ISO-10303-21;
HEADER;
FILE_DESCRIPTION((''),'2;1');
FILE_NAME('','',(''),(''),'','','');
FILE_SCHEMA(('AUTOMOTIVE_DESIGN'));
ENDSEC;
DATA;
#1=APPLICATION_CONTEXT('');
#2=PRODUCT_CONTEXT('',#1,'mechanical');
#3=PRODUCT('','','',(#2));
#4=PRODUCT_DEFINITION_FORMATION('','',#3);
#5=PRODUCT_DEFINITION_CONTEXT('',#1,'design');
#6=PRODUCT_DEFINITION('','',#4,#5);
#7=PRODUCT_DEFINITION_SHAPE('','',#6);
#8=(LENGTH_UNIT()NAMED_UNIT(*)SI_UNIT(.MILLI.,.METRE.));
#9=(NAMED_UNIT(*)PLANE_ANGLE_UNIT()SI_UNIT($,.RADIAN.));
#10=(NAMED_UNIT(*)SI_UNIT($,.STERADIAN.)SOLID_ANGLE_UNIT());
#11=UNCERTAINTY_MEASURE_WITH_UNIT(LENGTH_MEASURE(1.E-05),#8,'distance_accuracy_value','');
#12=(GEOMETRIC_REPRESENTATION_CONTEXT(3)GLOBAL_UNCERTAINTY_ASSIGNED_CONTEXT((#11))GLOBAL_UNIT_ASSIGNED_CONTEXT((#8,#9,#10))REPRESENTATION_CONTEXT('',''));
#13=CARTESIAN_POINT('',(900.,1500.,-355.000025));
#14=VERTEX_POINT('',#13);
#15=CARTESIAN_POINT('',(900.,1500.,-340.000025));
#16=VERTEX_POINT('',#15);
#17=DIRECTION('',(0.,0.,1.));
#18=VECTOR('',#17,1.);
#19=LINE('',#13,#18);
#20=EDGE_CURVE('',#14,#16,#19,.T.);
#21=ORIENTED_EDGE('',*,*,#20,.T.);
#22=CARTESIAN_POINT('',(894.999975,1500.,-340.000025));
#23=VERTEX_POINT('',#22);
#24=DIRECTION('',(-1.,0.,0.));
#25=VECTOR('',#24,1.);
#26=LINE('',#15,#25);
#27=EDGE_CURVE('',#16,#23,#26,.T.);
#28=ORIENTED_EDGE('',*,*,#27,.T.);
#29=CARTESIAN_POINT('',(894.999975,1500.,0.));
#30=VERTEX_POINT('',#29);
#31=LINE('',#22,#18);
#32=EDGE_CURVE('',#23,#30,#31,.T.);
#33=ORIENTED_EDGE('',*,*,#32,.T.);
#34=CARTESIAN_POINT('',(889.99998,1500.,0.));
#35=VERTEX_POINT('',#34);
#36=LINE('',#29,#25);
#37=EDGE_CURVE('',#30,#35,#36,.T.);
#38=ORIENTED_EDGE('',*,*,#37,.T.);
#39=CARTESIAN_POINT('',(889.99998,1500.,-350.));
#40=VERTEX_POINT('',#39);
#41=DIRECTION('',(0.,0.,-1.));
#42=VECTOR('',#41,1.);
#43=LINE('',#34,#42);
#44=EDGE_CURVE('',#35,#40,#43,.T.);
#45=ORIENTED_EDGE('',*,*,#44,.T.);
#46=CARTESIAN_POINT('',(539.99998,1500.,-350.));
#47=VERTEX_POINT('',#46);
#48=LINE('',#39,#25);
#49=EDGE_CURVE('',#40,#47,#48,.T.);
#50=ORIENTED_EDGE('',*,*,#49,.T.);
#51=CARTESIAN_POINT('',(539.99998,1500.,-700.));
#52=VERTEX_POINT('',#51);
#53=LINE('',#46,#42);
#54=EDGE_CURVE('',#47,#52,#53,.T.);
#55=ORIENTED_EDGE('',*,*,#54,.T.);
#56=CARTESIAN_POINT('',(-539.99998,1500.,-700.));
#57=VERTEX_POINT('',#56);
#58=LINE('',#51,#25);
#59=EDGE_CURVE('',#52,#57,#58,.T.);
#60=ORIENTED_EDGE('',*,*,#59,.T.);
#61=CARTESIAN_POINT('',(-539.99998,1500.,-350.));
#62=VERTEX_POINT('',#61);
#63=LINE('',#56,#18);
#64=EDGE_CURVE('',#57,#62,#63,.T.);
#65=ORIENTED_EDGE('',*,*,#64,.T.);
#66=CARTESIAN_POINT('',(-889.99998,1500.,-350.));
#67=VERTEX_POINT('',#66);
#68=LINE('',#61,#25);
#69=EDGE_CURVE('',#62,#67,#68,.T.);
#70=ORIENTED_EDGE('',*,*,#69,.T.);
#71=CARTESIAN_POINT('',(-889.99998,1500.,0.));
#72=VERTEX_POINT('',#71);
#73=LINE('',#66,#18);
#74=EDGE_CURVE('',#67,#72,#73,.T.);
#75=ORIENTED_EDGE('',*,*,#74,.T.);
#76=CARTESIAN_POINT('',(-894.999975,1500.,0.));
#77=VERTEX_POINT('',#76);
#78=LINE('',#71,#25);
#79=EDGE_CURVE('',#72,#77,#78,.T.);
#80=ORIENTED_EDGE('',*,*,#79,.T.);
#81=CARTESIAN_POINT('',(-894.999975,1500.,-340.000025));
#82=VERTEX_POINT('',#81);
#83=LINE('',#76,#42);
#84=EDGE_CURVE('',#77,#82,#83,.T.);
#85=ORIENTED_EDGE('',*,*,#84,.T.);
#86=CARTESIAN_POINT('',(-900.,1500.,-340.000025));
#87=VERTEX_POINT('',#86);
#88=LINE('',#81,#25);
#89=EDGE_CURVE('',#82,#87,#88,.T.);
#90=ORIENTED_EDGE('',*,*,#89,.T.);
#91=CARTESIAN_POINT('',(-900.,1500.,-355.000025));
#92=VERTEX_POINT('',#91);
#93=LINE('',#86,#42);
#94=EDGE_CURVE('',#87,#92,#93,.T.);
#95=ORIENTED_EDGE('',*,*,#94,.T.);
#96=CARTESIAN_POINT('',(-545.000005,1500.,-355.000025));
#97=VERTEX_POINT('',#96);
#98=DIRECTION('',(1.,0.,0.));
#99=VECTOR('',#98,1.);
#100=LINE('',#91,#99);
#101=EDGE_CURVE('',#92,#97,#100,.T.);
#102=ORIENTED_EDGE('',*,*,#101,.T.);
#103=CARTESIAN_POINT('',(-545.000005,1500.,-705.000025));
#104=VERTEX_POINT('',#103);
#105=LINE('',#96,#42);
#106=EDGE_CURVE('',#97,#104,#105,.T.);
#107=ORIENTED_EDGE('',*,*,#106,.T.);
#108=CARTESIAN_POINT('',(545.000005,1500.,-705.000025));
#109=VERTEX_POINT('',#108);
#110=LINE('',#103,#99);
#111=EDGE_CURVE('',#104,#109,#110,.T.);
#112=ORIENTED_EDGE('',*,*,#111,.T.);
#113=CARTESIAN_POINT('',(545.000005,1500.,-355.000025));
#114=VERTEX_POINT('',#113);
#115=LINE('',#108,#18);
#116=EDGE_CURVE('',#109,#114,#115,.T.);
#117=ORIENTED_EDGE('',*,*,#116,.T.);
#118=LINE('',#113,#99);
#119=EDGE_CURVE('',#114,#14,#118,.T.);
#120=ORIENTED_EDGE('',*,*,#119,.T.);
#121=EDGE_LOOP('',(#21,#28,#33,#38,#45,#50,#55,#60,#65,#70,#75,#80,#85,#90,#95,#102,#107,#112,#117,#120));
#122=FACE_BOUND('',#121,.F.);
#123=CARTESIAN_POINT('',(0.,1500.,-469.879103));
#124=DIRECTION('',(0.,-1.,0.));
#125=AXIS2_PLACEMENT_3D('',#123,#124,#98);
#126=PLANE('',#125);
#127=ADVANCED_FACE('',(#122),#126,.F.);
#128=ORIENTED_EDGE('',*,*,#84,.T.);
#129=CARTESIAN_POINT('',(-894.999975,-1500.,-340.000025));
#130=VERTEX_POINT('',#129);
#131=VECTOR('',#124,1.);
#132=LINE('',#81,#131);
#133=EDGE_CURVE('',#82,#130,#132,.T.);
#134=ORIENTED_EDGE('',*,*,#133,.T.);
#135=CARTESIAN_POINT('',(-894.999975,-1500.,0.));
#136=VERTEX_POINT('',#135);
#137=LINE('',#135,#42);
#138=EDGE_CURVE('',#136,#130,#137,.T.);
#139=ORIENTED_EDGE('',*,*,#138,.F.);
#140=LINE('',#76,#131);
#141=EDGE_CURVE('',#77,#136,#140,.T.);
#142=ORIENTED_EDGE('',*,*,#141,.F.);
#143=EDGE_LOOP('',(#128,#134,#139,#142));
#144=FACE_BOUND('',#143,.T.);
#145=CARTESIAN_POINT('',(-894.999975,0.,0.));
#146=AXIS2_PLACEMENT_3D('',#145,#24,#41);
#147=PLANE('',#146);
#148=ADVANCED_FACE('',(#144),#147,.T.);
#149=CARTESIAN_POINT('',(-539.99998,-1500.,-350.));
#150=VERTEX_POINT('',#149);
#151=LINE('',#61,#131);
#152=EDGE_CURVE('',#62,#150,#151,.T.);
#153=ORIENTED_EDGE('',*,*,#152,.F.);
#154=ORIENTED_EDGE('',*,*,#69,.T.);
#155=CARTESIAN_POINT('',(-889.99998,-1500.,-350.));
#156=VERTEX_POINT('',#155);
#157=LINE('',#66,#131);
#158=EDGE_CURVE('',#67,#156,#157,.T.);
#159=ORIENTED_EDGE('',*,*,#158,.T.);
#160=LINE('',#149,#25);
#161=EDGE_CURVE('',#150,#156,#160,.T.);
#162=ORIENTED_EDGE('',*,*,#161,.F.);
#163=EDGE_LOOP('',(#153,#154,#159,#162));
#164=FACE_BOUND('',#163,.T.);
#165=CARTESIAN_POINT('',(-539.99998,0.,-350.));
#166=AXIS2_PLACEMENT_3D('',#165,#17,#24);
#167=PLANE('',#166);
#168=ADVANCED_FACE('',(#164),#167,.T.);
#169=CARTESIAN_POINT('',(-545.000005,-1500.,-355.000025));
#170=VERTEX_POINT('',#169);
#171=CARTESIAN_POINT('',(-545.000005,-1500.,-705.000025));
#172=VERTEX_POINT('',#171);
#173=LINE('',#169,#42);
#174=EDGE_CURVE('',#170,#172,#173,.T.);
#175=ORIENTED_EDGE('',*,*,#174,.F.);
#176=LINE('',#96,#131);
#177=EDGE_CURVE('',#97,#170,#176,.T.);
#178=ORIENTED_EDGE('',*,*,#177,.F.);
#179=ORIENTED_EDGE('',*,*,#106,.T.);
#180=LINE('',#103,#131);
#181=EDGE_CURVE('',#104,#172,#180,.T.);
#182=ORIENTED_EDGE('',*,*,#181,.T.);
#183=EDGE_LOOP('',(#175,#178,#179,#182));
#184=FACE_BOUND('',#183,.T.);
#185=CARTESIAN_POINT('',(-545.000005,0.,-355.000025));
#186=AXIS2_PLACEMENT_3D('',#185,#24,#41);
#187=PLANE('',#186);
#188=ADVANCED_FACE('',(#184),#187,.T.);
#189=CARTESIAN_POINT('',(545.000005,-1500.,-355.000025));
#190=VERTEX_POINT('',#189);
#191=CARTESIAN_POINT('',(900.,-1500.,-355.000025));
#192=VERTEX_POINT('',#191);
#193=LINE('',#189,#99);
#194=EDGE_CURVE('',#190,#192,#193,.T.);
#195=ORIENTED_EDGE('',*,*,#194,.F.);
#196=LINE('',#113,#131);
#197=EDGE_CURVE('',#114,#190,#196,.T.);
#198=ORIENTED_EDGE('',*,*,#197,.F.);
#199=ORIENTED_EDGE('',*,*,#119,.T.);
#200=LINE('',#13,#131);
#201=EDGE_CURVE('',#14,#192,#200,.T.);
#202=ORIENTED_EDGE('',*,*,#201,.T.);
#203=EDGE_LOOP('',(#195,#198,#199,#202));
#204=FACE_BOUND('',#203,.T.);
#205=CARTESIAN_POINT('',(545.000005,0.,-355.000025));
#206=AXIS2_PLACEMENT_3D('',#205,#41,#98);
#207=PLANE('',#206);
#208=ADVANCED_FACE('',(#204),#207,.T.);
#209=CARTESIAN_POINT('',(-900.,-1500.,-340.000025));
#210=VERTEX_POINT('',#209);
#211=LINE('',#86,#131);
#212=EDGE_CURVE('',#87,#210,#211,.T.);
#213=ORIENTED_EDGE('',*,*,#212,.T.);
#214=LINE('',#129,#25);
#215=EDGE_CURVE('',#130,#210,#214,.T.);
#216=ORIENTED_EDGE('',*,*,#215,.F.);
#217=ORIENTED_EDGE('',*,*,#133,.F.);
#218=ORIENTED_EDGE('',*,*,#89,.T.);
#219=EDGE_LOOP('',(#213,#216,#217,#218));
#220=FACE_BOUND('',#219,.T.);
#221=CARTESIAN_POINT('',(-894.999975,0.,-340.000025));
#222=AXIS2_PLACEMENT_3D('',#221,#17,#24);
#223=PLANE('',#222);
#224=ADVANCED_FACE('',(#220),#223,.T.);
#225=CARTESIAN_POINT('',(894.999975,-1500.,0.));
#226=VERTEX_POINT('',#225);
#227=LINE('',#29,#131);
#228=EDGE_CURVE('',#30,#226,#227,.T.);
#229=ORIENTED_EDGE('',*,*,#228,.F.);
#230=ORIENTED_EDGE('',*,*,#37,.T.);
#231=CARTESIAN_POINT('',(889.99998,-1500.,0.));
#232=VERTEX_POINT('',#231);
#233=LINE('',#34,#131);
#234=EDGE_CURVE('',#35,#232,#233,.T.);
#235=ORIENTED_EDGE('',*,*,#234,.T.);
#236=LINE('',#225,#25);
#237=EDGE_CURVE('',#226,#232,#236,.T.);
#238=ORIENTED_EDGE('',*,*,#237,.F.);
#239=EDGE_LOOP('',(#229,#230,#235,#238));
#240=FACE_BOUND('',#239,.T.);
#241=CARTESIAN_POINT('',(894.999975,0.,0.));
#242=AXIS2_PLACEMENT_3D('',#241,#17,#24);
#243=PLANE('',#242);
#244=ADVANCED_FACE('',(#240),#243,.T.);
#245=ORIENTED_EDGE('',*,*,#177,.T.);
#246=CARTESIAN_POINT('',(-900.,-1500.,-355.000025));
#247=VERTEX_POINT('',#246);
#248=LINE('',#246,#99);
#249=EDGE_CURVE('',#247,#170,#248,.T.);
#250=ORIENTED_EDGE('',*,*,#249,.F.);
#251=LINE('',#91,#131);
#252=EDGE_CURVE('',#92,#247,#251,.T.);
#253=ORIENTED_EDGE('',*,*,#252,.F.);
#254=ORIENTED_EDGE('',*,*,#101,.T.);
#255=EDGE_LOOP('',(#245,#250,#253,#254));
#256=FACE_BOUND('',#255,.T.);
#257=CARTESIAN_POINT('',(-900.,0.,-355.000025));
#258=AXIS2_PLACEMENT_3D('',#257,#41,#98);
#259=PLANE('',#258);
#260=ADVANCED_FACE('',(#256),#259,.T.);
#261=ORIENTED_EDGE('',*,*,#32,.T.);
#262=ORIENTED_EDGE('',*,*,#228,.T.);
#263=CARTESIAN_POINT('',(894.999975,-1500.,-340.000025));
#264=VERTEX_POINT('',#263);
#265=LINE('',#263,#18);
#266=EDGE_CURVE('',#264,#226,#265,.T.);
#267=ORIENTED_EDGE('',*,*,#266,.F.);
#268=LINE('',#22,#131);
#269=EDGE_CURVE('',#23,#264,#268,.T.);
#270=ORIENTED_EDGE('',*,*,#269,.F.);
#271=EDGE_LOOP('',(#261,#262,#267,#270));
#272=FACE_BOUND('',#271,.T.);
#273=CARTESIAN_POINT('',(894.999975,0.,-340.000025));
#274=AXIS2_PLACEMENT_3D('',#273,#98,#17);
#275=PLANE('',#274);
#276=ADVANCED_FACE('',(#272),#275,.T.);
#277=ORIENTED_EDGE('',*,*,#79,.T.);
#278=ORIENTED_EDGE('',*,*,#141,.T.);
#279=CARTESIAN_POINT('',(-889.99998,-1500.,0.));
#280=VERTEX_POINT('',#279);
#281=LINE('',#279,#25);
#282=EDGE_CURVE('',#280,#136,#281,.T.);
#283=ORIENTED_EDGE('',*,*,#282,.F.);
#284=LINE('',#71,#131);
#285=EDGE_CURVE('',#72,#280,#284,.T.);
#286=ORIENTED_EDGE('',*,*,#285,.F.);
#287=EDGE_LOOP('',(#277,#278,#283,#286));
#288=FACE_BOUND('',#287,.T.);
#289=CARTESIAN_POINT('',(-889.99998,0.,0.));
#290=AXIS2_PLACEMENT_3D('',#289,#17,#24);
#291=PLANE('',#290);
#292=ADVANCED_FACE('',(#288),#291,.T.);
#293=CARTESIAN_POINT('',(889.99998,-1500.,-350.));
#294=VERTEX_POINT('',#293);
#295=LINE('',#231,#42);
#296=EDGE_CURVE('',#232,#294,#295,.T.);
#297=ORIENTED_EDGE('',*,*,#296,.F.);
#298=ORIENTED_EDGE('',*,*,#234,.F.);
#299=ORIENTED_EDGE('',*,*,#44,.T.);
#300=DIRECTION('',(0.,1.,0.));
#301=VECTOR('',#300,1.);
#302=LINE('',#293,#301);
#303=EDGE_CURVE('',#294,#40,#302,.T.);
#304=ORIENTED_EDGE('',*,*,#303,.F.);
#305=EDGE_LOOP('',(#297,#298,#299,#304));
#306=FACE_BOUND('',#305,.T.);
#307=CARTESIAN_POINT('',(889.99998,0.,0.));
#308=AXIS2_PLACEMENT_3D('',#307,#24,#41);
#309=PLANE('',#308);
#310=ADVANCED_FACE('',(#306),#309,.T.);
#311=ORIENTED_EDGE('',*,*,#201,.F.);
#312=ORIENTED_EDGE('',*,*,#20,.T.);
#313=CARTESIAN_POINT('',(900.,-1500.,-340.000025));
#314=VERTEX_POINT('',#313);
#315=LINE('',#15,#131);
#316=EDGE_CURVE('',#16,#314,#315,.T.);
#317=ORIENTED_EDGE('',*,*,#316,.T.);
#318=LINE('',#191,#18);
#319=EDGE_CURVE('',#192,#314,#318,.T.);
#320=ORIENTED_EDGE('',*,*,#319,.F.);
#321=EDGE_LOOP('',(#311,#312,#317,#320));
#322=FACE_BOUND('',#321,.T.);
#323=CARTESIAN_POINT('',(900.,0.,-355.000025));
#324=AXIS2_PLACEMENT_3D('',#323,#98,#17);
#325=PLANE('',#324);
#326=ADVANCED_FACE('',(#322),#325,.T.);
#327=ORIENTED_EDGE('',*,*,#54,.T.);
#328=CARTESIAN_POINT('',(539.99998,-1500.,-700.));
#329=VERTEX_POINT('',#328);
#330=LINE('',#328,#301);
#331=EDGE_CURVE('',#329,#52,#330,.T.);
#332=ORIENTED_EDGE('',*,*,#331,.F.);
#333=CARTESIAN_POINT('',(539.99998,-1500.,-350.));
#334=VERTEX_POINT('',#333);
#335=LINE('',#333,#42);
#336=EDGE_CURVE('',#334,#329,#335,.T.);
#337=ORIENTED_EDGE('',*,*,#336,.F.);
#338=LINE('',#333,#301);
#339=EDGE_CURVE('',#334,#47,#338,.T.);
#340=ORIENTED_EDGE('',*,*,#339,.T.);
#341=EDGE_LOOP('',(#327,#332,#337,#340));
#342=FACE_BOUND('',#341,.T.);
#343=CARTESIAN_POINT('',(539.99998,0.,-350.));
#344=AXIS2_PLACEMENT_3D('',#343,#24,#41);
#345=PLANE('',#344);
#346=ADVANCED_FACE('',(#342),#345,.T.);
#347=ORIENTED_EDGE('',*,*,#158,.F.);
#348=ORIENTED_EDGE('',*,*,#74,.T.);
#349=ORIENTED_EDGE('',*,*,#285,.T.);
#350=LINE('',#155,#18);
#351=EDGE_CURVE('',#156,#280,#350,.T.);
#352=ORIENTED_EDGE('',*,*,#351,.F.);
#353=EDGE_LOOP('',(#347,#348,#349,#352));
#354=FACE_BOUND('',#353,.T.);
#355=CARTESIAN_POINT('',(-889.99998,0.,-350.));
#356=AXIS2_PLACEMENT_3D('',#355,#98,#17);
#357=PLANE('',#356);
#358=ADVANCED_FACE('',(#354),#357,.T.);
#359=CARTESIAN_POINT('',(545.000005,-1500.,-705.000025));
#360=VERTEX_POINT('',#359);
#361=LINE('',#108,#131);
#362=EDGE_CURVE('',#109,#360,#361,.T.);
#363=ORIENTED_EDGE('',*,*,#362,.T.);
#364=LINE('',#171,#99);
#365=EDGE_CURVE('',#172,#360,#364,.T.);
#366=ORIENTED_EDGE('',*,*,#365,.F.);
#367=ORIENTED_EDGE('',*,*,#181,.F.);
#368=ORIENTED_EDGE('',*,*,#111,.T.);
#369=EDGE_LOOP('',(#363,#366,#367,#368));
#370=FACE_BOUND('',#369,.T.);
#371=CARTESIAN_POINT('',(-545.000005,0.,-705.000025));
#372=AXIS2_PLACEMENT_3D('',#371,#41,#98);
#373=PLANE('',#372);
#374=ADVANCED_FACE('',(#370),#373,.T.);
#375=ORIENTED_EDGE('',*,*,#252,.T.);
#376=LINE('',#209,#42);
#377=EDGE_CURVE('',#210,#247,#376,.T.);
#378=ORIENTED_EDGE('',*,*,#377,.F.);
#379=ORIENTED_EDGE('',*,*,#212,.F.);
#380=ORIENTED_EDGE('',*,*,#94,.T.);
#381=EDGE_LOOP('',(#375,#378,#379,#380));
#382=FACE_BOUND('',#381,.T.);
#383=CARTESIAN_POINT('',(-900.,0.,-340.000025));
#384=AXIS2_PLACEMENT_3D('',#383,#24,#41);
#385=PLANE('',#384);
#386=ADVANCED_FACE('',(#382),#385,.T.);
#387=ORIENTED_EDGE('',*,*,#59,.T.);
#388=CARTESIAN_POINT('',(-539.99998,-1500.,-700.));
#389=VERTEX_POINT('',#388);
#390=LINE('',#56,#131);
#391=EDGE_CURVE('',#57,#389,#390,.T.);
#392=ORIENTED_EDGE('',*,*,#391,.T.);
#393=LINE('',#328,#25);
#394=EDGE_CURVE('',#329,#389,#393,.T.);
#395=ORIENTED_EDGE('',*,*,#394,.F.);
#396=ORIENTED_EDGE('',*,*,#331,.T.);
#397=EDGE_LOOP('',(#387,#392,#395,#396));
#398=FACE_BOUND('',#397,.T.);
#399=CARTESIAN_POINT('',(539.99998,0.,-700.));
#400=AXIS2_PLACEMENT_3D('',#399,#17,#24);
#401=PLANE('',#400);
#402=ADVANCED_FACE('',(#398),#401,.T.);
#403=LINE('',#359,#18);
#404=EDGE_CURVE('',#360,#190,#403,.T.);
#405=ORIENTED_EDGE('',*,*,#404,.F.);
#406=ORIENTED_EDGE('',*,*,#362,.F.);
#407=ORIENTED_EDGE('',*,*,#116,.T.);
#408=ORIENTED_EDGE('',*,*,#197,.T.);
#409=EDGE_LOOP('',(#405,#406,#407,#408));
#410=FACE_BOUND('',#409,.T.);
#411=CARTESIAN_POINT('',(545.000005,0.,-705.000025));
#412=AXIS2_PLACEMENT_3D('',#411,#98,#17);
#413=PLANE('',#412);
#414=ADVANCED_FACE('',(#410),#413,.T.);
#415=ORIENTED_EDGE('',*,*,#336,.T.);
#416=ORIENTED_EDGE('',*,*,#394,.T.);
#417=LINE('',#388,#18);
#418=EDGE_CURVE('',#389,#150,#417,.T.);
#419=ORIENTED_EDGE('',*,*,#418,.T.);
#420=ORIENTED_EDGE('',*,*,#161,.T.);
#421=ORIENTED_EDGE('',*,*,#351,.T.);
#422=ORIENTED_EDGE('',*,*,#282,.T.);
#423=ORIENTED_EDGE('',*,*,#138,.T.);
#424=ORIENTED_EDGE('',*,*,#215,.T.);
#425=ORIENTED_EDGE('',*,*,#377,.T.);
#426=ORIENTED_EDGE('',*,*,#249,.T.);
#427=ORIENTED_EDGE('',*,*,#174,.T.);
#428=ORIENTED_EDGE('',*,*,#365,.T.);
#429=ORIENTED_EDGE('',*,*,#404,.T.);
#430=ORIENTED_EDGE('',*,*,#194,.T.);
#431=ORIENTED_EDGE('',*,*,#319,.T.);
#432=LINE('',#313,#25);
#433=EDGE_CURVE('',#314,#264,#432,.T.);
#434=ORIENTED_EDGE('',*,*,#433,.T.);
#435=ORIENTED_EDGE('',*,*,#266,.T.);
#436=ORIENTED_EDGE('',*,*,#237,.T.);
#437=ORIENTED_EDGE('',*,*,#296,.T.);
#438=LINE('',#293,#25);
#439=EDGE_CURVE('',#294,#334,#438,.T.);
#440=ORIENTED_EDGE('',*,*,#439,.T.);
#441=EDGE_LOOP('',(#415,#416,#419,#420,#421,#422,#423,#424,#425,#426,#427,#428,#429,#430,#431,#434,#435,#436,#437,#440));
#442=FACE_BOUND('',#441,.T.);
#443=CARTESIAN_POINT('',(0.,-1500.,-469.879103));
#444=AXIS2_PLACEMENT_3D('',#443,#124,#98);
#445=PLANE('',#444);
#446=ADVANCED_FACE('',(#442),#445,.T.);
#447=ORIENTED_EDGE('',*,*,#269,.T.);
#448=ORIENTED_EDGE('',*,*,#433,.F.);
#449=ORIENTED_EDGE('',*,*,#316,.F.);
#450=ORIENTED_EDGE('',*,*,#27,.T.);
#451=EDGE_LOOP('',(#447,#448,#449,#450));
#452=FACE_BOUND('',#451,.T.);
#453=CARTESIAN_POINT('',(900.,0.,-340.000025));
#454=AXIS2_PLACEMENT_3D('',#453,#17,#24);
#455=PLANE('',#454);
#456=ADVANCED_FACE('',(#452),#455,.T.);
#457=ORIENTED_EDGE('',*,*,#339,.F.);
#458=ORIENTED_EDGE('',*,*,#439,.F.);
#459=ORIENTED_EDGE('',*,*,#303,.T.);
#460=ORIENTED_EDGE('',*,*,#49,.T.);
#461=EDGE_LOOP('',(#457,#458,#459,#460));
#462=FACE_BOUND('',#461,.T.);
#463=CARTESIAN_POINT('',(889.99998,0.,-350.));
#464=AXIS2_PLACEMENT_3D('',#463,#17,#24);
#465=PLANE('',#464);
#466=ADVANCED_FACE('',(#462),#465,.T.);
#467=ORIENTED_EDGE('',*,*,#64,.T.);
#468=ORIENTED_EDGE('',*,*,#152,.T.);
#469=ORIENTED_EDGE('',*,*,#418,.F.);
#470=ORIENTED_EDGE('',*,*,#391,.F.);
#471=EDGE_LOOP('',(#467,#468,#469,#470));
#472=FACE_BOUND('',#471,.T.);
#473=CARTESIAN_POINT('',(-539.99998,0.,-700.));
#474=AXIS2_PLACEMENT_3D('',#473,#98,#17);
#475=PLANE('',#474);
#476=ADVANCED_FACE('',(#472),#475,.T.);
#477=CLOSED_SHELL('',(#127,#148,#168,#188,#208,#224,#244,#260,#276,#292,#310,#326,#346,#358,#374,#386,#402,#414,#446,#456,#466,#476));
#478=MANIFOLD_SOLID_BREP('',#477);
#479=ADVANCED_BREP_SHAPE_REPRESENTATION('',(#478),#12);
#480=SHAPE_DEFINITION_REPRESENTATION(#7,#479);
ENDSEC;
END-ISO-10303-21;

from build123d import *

# Parameters (mm, degrees)
F1_DEPTH      = 1500
F1_DEPTH_BACK = 1500


with BuildPart() as f1:
    # F0 (on Front) → F1 (new body, two sides)
    with BuildSketch(Plane.XZ) as f1_sk:
        Polygon((539.99998, -700), (0, -700), (-539.99998, -700), (-539.99998, -350), (-889.99998, -350), (-889.99998, 0), (-894.999975, 0), (-894.999975, -340.000025), (-900, -340.000025), (-900, -355.000025), (-545.000005, -355.000025), (-545.000005, -705.000025), (0, -705.000025), (545.000005, -705.000025), (545.000005, -355.000025), (900, -355.000025), (900, -340.000025), (894.999975, -340.000025), (894.999975, 0), (889.99998, 0), (889.99998, -350), (539.99998, -350), align=None)
    extrude(amount=F1_DEPTH)
    extrude(f1_sk.sketch, amount=-F1_DEPTH_BACK)


solid = f1.part
